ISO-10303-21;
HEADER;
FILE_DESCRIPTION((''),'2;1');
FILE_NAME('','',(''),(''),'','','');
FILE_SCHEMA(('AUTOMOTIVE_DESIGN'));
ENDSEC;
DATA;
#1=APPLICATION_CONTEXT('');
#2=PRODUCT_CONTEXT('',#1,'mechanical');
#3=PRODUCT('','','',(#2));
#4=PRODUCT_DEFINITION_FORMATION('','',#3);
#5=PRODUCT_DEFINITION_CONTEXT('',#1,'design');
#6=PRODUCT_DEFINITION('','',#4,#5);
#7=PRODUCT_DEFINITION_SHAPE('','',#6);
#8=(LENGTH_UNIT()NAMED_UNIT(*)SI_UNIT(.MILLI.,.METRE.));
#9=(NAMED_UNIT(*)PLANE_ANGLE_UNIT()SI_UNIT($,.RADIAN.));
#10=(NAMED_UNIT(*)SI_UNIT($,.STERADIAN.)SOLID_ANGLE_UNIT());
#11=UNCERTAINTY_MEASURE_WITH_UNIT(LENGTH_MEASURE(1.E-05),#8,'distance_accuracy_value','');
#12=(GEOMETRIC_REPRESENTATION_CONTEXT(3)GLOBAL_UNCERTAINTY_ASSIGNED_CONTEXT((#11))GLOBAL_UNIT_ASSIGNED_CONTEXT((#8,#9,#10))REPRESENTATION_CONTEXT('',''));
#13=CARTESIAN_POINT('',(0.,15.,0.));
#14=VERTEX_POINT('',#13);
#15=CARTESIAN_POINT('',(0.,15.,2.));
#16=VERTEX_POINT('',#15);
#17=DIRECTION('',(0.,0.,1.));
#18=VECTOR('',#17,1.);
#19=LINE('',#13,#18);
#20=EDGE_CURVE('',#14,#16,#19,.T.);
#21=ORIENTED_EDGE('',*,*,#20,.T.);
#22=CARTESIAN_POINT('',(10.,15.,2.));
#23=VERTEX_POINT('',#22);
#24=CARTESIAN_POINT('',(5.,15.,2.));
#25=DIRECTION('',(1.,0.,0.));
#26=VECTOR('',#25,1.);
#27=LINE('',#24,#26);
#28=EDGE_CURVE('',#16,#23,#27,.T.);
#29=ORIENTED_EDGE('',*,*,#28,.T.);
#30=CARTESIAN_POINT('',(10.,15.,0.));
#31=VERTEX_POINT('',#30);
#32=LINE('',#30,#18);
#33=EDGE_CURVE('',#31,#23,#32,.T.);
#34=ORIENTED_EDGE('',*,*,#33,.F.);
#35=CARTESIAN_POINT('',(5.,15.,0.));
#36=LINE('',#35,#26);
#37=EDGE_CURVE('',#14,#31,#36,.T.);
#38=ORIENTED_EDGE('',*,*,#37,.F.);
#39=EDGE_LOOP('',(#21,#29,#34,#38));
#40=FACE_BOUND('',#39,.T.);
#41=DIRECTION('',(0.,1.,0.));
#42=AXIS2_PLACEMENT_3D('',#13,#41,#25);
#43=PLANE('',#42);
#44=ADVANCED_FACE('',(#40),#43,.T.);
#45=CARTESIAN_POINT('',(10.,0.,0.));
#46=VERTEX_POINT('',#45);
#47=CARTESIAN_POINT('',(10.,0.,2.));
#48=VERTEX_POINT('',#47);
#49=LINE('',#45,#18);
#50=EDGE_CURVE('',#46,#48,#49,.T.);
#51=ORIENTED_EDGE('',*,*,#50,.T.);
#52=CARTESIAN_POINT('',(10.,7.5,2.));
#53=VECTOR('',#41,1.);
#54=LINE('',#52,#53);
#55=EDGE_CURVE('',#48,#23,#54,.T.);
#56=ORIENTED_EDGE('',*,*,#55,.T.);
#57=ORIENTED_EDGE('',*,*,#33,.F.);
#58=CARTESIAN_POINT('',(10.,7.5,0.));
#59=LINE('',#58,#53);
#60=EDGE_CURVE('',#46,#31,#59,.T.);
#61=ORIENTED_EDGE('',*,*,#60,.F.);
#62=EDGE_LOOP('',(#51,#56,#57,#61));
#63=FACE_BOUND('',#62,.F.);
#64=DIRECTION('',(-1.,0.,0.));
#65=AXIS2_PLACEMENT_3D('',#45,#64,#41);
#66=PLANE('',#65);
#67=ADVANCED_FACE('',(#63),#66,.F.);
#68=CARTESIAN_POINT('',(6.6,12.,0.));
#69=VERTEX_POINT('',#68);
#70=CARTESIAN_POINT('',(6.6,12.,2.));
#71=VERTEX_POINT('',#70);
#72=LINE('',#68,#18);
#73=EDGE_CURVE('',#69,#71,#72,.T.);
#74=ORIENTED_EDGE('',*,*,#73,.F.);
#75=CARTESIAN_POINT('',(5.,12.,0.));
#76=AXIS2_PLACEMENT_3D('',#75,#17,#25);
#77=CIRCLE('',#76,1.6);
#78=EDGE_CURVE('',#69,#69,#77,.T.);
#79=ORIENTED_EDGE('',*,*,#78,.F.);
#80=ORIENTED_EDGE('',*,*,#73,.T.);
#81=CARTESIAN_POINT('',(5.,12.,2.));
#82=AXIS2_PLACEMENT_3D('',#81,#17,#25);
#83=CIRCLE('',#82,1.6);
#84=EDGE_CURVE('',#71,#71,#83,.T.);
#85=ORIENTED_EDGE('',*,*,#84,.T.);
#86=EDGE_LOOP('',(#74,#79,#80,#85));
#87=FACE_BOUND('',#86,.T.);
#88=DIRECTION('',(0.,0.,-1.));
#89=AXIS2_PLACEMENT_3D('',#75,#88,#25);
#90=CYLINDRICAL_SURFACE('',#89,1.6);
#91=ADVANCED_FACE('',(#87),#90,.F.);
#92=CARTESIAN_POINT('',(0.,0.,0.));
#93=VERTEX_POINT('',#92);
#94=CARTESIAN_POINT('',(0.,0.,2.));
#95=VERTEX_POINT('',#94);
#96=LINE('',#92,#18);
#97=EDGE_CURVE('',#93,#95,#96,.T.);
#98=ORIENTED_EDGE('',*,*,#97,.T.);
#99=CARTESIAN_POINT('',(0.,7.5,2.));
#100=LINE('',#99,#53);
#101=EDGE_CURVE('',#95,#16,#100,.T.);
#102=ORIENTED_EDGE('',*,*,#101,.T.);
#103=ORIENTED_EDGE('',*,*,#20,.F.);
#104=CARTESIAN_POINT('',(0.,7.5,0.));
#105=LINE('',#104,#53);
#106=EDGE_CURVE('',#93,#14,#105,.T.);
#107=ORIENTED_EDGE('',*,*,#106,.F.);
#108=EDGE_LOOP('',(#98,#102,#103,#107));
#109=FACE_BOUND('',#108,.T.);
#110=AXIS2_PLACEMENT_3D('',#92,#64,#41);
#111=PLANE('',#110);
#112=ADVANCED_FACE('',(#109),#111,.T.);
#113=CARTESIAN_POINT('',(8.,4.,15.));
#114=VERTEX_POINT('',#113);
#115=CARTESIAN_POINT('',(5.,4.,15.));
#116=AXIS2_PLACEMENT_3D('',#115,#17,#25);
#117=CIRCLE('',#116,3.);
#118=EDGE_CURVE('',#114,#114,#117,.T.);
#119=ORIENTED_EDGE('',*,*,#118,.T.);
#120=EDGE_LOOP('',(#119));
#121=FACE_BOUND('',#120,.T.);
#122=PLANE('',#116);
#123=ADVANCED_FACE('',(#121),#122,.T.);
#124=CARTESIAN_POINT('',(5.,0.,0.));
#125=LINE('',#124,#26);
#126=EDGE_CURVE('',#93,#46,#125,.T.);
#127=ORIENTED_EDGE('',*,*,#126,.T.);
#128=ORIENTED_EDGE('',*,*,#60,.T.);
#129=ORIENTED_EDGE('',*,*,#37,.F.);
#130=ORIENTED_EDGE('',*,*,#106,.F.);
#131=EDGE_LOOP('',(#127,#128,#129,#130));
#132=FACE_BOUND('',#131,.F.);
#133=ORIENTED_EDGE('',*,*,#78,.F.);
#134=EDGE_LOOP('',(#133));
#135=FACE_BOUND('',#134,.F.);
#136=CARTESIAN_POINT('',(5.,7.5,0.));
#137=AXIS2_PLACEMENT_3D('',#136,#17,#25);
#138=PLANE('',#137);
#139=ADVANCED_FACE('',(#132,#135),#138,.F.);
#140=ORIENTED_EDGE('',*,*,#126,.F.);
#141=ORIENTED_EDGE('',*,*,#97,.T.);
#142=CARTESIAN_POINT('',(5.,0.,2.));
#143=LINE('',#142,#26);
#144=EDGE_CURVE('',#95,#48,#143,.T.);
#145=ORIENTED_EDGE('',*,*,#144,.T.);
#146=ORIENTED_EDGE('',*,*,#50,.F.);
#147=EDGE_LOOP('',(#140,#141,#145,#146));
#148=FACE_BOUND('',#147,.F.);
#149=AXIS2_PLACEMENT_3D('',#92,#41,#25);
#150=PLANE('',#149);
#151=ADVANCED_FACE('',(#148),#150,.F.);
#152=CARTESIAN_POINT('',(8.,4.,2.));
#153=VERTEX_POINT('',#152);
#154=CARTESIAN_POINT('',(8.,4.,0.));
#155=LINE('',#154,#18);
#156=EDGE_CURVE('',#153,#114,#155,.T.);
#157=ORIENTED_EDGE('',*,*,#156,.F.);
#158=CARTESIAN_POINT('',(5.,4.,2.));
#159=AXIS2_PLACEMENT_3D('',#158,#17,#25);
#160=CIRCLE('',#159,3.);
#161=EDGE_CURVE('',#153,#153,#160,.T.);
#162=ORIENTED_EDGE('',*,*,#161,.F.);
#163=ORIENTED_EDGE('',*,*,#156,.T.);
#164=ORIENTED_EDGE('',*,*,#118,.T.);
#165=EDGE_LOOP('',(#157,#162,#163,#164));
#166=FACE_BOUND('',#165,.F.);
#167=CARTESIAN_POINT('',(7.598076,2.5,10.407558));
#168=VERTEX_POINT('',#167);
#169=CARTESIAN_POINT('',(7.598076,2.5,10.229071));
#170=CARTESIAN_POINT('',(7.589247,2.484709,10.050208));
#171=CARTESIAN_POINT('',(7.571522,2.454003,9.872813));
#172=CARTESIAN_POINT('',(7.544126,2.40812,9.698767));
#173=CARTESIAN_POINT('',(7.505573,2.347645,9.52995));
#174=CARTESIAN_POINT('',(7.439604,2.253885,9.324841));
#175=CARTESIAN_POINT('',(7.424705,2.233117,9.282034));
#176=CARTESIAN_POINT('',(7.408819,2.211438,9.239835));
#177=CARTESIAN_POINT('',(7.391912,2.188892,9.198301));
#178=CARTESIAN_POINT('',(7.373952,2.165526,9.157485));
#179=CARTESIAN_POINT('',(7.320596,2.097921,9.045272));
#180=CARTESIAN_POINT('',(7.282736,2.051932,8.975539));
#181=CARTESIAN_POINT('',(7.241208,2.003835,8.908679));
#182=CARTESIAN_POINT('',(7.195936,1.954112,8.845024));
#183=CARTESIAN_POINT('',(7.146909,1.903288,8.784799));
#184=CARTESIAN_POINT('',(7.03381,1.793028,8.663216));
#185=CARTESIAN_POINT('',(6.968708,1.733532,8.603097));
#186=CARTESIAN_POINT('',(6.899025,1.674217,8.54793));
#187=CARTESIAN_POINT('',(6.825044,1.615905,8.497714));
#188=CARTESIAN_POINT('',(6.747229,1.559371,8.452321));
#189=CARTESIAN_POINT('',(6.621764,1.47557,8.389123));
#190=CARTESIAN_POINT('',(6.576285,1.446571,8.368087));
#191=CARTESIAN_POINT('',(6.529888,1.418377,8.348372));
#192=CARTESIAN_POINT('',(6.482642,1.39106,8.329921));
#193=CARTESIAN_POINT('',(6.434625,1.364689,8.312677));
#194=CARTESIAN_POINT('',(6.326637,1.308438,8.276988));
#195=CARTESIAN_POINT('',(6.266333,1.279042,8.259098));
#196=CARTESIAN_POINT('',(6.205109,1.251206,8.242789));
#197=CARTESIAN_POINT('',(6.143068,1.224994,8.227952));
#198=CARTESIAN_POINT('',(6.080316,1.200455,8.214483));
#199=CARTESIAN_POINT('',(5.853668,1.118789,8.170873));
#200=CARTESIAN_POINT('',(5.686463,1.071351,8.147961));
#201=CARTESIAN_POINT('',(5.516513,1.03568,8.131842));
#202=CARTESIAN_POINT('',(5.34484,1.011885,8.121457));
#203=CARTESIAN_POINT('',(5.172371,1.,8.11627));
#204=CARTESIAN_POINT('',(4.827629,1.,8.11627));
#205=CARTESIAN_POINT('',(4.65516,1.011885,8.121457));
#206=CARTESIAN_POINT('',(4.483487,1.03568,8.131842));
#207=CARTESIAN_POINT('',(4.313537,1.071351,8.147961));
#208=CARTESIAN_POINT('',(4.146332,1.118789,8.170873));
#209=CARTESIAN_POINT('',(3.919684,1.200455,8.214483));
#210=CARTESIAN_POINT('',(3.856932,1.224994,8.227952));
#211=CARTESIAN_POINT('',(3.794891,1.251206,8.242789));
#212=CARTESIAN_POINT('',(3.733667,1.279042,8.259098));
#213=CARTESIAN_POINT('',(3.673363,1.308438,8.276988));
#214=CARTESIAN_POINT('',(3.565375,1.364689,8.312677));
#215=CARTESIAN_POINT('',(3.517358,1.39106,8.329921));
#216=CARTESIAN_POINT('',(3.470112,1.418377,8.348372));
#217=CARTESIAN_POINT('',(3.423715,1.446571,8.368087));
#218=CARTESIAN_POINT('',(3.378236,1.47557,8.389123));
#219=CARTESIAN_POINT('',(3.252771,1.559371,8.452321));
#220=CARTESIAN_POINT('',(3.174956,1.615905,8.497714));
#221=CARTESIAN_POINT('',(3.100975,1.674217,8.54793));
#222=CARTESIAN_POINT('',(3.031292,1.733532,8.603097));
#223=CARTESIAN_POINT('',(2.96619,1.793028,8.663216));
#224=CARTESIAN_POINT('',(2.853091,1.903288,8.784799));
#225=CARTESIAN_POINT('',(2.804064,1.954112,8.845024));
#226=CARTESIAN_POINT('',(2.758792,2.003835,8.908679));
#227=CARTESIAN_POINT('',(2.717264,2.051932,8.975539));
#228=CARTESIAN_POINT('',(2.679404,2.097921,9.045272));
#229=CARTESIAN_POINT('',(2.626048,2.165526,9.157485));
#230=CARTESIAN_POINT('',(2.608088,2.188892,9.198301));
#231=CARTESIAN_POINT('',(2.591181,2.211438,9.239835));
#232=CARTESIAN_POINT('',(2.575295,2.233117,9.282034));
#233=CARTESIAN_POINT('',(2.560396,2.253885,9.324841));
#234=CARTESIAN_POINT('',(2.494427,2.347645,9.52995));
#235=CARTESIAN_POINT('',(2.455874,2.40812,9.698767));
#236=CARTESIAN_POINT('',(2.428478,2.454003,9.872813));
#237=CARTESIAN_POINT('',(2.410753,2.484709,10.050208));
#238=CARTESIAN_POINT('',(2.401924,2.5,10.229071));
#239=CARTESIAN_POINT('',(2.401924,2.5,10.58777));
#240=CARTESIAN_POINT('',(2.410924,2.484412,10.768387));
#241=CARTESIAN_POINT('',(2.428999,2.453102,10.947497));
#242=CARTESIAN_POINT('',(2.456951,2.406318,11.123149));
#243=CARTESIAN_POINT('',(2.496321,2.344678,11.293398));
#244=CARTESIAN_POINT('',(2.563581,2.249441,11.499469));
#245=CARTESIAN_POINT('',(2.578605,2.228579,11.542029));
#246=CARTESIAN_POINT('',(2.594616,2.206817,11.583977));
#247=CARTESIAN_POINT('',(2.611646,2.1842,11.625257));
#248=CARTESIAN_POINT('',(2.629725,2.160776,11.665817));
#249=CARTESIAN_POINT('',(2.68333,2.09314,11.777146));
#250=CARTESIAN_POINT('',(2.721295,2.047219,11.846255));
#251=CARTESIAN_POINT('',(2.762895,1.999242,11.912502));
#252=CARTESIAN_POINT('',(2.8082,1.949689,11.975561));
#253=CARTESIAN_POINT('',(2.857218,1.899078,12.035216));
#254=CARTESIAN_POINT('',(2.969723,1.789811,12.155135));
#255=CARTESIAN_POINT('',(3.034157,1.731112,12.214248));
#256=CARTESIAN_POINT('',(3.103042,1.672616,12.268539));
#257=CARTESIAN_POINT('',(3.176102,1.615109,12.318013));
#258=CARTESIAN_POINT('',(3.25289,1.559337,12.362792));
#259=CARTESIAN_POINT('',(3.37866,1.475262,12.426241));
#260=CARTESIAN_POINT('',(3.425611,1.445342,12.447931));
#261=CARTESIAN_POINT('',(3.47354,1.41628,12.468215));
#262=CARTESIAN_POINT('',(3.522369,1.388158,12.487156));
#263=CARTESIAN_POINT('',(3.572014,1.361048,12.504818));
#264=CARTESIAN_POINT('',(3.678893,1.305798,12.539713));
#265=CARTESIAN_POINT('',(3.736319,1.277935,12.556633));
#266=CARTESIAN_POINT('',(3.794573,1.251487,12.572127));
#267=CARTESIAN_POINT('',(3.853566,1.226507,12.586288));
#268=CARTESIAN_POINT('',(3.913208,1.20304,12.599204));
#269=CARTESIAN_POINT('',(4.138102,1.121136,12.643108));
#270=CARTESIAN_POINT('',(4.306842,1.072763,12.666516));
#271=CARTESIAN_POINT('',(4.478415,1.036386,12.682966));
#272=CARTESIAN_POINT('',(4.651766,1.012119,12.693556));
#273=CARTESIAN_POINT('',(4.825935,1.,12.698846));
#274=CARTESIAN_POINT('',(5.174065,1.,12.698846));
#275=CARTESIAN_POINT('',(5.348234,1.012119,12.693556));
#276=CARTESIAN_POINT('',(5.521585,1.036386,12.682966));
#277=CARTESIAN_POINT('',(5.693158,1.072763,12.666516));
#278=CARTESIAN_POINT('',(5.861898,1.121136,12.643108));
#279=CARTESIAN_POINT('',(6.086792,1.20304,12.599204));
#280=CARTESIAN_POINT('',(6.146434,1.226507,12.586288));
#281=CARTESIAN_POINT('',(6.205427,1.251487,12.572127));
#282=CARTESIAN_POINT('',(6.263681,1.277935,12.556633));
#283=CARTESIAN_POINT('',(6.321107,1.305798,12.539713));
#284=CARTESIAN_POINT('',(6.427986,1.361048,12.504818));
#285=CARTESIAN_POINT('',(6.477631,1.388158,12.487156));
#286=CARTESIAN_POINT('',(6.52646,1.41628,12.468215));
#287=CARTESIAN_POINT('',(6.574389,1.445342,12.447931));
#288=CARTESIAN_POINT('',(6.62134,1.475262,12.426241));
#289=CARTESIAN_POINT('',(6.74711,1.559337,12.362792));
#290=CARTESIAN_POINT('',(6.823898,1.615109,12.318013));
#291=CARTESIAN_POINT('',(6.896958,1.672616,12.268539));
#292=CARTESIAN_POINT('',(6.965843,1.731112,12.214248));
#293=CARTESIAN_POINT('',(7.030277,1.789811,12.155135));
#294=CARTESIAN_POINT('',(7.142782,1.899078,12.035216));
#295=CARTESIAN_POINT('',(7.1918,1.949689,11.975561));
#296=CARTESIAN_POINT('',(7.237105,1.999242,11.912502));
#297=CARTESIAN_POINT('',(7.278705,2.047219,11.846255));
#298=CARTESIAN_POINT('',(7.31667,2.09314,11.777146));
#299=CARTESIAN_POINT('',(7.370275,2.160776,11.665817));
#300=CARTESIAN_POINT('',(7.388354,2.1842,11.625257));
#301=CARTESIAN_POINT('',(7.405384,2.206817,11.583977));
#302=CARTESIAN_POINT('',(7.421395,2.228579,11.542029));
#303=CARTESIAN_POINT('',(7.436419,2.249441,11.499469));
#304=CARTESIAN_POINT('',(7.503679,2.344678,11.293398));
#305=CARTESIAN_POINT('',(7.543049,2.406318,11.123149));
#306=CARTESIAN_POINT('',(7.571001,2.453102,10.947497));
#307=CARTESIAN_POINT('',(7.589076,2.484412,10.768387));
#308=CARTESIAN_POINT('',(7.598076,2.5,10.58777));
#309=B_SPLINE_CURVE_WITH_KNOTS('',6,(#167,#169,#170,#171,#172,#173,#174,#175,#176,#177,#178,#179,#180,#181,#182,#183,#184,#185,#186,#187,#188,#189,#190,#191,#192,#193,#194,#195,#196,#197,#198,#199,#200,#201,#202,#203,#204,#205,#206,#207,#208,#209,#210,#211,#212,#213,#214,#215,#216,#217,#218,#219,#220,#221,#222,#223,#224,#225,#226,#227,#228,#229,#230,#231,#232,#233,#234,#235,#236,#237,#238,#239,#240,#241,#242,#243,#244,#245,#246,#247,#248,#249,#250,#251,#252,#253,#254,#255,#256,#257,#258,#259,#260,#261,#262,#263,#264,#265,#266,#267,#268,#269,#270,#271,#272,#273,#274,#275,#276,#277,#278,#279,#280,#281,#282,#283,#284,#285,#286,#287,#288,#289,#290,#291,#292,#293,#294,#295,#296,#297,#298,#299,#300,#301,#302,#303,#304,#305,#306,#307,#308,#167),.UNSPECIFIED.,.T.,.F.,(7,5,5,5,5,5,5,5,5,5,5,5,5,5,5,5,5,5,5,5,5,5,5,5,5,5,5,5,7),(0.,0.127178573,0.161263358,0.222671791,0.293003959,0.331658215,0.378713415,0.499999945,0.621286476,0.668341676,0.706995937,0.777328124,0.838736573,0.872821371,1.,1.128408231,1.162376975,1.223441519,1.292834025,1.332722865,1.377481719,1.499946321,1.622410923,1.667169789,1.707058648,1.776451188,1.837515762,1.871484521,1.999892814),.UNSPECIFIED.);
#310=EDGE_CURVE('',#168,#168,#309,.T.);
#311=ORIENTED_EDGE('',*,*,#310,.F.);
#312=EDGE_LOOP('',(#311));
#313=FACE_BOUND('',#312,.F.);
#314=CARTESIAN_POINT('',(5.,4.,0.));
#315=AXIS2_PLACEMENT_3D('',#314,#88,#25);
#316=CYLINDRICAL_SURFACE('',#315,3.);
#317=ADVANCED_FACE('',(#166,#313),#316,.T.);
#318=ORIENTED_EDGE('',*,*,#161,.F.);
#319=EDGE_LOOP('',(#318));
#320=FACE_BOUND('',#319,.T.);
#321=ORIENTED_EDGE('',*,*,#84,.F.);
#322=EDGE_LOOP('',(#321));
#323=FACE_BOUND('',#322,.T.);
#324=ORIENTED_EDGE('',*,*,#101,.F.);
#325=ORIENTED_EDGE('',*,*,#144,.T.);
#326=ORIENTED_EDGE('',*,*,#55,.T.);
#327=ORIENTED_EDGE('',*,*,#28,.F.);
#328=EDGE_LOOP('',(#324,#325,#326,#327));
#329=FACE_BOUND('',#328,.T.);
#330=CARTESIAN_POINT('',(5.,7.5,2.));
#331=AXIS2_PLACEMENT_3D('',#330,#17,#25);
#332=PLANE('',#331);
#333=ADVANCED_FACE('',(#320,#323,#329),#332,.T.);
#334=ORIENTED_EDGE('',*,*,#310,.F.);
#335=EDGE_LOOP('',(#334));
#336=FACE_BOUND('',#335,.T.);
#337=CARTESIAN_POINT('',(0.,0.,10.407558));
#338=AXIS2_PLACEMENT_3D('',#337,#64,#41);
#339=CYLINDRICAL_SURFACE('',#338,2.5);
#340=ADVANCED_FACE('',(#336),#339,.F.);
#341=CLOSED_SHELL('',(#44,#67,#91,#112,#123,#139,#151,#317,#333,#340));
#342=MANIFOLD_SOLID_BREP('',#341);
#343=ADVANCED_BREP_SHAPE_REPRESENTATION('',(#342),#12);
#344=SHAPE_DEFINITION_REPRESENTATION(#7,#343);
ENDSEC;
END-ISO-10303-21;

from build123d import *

# Parameters (mm, degrees)
F0_W     = 10
F0_H     = 15
F0_R     = 3
F0_R_2   = 1.6
F1_DEPTH = 2
F3_DEPTH = 15
F2_R     = 2.5
F4_DEPTH = 10.001


with BuildPart() as f1:
    # F0 (on Top) → F1 (new body)
    with BuildSketch(Plane.XY):
        with Locations((5, 7.5)):
            Rectangle(F0_W, F0_H)
        with Locations((5, 4)):
            Circle(F0_R, mode=Mode.SUBTRACT)
        with Locations((5, 12)):
            Circle(F0_R_2, mode=Mode.SUBTRACT)
    extrude(amount=F1_DEPTH)

    # F0 (on Top) → F3 (join)
    with BuildSketch(Plane.XY):
        with Locations((5, 4)):
            Circle(F0_R)
    extrude(amount=F3_DEPTH)

    # F2 (on Right) → F4 (cut, through all)
    with BuildSketch(Plane.YZ):
        with Locations((0, 10.407558)):
            Circle(F2_R)
    extrude(amount=F4_DEPTH, mode=Mode.SUBTRACT)


solid = f1.part
